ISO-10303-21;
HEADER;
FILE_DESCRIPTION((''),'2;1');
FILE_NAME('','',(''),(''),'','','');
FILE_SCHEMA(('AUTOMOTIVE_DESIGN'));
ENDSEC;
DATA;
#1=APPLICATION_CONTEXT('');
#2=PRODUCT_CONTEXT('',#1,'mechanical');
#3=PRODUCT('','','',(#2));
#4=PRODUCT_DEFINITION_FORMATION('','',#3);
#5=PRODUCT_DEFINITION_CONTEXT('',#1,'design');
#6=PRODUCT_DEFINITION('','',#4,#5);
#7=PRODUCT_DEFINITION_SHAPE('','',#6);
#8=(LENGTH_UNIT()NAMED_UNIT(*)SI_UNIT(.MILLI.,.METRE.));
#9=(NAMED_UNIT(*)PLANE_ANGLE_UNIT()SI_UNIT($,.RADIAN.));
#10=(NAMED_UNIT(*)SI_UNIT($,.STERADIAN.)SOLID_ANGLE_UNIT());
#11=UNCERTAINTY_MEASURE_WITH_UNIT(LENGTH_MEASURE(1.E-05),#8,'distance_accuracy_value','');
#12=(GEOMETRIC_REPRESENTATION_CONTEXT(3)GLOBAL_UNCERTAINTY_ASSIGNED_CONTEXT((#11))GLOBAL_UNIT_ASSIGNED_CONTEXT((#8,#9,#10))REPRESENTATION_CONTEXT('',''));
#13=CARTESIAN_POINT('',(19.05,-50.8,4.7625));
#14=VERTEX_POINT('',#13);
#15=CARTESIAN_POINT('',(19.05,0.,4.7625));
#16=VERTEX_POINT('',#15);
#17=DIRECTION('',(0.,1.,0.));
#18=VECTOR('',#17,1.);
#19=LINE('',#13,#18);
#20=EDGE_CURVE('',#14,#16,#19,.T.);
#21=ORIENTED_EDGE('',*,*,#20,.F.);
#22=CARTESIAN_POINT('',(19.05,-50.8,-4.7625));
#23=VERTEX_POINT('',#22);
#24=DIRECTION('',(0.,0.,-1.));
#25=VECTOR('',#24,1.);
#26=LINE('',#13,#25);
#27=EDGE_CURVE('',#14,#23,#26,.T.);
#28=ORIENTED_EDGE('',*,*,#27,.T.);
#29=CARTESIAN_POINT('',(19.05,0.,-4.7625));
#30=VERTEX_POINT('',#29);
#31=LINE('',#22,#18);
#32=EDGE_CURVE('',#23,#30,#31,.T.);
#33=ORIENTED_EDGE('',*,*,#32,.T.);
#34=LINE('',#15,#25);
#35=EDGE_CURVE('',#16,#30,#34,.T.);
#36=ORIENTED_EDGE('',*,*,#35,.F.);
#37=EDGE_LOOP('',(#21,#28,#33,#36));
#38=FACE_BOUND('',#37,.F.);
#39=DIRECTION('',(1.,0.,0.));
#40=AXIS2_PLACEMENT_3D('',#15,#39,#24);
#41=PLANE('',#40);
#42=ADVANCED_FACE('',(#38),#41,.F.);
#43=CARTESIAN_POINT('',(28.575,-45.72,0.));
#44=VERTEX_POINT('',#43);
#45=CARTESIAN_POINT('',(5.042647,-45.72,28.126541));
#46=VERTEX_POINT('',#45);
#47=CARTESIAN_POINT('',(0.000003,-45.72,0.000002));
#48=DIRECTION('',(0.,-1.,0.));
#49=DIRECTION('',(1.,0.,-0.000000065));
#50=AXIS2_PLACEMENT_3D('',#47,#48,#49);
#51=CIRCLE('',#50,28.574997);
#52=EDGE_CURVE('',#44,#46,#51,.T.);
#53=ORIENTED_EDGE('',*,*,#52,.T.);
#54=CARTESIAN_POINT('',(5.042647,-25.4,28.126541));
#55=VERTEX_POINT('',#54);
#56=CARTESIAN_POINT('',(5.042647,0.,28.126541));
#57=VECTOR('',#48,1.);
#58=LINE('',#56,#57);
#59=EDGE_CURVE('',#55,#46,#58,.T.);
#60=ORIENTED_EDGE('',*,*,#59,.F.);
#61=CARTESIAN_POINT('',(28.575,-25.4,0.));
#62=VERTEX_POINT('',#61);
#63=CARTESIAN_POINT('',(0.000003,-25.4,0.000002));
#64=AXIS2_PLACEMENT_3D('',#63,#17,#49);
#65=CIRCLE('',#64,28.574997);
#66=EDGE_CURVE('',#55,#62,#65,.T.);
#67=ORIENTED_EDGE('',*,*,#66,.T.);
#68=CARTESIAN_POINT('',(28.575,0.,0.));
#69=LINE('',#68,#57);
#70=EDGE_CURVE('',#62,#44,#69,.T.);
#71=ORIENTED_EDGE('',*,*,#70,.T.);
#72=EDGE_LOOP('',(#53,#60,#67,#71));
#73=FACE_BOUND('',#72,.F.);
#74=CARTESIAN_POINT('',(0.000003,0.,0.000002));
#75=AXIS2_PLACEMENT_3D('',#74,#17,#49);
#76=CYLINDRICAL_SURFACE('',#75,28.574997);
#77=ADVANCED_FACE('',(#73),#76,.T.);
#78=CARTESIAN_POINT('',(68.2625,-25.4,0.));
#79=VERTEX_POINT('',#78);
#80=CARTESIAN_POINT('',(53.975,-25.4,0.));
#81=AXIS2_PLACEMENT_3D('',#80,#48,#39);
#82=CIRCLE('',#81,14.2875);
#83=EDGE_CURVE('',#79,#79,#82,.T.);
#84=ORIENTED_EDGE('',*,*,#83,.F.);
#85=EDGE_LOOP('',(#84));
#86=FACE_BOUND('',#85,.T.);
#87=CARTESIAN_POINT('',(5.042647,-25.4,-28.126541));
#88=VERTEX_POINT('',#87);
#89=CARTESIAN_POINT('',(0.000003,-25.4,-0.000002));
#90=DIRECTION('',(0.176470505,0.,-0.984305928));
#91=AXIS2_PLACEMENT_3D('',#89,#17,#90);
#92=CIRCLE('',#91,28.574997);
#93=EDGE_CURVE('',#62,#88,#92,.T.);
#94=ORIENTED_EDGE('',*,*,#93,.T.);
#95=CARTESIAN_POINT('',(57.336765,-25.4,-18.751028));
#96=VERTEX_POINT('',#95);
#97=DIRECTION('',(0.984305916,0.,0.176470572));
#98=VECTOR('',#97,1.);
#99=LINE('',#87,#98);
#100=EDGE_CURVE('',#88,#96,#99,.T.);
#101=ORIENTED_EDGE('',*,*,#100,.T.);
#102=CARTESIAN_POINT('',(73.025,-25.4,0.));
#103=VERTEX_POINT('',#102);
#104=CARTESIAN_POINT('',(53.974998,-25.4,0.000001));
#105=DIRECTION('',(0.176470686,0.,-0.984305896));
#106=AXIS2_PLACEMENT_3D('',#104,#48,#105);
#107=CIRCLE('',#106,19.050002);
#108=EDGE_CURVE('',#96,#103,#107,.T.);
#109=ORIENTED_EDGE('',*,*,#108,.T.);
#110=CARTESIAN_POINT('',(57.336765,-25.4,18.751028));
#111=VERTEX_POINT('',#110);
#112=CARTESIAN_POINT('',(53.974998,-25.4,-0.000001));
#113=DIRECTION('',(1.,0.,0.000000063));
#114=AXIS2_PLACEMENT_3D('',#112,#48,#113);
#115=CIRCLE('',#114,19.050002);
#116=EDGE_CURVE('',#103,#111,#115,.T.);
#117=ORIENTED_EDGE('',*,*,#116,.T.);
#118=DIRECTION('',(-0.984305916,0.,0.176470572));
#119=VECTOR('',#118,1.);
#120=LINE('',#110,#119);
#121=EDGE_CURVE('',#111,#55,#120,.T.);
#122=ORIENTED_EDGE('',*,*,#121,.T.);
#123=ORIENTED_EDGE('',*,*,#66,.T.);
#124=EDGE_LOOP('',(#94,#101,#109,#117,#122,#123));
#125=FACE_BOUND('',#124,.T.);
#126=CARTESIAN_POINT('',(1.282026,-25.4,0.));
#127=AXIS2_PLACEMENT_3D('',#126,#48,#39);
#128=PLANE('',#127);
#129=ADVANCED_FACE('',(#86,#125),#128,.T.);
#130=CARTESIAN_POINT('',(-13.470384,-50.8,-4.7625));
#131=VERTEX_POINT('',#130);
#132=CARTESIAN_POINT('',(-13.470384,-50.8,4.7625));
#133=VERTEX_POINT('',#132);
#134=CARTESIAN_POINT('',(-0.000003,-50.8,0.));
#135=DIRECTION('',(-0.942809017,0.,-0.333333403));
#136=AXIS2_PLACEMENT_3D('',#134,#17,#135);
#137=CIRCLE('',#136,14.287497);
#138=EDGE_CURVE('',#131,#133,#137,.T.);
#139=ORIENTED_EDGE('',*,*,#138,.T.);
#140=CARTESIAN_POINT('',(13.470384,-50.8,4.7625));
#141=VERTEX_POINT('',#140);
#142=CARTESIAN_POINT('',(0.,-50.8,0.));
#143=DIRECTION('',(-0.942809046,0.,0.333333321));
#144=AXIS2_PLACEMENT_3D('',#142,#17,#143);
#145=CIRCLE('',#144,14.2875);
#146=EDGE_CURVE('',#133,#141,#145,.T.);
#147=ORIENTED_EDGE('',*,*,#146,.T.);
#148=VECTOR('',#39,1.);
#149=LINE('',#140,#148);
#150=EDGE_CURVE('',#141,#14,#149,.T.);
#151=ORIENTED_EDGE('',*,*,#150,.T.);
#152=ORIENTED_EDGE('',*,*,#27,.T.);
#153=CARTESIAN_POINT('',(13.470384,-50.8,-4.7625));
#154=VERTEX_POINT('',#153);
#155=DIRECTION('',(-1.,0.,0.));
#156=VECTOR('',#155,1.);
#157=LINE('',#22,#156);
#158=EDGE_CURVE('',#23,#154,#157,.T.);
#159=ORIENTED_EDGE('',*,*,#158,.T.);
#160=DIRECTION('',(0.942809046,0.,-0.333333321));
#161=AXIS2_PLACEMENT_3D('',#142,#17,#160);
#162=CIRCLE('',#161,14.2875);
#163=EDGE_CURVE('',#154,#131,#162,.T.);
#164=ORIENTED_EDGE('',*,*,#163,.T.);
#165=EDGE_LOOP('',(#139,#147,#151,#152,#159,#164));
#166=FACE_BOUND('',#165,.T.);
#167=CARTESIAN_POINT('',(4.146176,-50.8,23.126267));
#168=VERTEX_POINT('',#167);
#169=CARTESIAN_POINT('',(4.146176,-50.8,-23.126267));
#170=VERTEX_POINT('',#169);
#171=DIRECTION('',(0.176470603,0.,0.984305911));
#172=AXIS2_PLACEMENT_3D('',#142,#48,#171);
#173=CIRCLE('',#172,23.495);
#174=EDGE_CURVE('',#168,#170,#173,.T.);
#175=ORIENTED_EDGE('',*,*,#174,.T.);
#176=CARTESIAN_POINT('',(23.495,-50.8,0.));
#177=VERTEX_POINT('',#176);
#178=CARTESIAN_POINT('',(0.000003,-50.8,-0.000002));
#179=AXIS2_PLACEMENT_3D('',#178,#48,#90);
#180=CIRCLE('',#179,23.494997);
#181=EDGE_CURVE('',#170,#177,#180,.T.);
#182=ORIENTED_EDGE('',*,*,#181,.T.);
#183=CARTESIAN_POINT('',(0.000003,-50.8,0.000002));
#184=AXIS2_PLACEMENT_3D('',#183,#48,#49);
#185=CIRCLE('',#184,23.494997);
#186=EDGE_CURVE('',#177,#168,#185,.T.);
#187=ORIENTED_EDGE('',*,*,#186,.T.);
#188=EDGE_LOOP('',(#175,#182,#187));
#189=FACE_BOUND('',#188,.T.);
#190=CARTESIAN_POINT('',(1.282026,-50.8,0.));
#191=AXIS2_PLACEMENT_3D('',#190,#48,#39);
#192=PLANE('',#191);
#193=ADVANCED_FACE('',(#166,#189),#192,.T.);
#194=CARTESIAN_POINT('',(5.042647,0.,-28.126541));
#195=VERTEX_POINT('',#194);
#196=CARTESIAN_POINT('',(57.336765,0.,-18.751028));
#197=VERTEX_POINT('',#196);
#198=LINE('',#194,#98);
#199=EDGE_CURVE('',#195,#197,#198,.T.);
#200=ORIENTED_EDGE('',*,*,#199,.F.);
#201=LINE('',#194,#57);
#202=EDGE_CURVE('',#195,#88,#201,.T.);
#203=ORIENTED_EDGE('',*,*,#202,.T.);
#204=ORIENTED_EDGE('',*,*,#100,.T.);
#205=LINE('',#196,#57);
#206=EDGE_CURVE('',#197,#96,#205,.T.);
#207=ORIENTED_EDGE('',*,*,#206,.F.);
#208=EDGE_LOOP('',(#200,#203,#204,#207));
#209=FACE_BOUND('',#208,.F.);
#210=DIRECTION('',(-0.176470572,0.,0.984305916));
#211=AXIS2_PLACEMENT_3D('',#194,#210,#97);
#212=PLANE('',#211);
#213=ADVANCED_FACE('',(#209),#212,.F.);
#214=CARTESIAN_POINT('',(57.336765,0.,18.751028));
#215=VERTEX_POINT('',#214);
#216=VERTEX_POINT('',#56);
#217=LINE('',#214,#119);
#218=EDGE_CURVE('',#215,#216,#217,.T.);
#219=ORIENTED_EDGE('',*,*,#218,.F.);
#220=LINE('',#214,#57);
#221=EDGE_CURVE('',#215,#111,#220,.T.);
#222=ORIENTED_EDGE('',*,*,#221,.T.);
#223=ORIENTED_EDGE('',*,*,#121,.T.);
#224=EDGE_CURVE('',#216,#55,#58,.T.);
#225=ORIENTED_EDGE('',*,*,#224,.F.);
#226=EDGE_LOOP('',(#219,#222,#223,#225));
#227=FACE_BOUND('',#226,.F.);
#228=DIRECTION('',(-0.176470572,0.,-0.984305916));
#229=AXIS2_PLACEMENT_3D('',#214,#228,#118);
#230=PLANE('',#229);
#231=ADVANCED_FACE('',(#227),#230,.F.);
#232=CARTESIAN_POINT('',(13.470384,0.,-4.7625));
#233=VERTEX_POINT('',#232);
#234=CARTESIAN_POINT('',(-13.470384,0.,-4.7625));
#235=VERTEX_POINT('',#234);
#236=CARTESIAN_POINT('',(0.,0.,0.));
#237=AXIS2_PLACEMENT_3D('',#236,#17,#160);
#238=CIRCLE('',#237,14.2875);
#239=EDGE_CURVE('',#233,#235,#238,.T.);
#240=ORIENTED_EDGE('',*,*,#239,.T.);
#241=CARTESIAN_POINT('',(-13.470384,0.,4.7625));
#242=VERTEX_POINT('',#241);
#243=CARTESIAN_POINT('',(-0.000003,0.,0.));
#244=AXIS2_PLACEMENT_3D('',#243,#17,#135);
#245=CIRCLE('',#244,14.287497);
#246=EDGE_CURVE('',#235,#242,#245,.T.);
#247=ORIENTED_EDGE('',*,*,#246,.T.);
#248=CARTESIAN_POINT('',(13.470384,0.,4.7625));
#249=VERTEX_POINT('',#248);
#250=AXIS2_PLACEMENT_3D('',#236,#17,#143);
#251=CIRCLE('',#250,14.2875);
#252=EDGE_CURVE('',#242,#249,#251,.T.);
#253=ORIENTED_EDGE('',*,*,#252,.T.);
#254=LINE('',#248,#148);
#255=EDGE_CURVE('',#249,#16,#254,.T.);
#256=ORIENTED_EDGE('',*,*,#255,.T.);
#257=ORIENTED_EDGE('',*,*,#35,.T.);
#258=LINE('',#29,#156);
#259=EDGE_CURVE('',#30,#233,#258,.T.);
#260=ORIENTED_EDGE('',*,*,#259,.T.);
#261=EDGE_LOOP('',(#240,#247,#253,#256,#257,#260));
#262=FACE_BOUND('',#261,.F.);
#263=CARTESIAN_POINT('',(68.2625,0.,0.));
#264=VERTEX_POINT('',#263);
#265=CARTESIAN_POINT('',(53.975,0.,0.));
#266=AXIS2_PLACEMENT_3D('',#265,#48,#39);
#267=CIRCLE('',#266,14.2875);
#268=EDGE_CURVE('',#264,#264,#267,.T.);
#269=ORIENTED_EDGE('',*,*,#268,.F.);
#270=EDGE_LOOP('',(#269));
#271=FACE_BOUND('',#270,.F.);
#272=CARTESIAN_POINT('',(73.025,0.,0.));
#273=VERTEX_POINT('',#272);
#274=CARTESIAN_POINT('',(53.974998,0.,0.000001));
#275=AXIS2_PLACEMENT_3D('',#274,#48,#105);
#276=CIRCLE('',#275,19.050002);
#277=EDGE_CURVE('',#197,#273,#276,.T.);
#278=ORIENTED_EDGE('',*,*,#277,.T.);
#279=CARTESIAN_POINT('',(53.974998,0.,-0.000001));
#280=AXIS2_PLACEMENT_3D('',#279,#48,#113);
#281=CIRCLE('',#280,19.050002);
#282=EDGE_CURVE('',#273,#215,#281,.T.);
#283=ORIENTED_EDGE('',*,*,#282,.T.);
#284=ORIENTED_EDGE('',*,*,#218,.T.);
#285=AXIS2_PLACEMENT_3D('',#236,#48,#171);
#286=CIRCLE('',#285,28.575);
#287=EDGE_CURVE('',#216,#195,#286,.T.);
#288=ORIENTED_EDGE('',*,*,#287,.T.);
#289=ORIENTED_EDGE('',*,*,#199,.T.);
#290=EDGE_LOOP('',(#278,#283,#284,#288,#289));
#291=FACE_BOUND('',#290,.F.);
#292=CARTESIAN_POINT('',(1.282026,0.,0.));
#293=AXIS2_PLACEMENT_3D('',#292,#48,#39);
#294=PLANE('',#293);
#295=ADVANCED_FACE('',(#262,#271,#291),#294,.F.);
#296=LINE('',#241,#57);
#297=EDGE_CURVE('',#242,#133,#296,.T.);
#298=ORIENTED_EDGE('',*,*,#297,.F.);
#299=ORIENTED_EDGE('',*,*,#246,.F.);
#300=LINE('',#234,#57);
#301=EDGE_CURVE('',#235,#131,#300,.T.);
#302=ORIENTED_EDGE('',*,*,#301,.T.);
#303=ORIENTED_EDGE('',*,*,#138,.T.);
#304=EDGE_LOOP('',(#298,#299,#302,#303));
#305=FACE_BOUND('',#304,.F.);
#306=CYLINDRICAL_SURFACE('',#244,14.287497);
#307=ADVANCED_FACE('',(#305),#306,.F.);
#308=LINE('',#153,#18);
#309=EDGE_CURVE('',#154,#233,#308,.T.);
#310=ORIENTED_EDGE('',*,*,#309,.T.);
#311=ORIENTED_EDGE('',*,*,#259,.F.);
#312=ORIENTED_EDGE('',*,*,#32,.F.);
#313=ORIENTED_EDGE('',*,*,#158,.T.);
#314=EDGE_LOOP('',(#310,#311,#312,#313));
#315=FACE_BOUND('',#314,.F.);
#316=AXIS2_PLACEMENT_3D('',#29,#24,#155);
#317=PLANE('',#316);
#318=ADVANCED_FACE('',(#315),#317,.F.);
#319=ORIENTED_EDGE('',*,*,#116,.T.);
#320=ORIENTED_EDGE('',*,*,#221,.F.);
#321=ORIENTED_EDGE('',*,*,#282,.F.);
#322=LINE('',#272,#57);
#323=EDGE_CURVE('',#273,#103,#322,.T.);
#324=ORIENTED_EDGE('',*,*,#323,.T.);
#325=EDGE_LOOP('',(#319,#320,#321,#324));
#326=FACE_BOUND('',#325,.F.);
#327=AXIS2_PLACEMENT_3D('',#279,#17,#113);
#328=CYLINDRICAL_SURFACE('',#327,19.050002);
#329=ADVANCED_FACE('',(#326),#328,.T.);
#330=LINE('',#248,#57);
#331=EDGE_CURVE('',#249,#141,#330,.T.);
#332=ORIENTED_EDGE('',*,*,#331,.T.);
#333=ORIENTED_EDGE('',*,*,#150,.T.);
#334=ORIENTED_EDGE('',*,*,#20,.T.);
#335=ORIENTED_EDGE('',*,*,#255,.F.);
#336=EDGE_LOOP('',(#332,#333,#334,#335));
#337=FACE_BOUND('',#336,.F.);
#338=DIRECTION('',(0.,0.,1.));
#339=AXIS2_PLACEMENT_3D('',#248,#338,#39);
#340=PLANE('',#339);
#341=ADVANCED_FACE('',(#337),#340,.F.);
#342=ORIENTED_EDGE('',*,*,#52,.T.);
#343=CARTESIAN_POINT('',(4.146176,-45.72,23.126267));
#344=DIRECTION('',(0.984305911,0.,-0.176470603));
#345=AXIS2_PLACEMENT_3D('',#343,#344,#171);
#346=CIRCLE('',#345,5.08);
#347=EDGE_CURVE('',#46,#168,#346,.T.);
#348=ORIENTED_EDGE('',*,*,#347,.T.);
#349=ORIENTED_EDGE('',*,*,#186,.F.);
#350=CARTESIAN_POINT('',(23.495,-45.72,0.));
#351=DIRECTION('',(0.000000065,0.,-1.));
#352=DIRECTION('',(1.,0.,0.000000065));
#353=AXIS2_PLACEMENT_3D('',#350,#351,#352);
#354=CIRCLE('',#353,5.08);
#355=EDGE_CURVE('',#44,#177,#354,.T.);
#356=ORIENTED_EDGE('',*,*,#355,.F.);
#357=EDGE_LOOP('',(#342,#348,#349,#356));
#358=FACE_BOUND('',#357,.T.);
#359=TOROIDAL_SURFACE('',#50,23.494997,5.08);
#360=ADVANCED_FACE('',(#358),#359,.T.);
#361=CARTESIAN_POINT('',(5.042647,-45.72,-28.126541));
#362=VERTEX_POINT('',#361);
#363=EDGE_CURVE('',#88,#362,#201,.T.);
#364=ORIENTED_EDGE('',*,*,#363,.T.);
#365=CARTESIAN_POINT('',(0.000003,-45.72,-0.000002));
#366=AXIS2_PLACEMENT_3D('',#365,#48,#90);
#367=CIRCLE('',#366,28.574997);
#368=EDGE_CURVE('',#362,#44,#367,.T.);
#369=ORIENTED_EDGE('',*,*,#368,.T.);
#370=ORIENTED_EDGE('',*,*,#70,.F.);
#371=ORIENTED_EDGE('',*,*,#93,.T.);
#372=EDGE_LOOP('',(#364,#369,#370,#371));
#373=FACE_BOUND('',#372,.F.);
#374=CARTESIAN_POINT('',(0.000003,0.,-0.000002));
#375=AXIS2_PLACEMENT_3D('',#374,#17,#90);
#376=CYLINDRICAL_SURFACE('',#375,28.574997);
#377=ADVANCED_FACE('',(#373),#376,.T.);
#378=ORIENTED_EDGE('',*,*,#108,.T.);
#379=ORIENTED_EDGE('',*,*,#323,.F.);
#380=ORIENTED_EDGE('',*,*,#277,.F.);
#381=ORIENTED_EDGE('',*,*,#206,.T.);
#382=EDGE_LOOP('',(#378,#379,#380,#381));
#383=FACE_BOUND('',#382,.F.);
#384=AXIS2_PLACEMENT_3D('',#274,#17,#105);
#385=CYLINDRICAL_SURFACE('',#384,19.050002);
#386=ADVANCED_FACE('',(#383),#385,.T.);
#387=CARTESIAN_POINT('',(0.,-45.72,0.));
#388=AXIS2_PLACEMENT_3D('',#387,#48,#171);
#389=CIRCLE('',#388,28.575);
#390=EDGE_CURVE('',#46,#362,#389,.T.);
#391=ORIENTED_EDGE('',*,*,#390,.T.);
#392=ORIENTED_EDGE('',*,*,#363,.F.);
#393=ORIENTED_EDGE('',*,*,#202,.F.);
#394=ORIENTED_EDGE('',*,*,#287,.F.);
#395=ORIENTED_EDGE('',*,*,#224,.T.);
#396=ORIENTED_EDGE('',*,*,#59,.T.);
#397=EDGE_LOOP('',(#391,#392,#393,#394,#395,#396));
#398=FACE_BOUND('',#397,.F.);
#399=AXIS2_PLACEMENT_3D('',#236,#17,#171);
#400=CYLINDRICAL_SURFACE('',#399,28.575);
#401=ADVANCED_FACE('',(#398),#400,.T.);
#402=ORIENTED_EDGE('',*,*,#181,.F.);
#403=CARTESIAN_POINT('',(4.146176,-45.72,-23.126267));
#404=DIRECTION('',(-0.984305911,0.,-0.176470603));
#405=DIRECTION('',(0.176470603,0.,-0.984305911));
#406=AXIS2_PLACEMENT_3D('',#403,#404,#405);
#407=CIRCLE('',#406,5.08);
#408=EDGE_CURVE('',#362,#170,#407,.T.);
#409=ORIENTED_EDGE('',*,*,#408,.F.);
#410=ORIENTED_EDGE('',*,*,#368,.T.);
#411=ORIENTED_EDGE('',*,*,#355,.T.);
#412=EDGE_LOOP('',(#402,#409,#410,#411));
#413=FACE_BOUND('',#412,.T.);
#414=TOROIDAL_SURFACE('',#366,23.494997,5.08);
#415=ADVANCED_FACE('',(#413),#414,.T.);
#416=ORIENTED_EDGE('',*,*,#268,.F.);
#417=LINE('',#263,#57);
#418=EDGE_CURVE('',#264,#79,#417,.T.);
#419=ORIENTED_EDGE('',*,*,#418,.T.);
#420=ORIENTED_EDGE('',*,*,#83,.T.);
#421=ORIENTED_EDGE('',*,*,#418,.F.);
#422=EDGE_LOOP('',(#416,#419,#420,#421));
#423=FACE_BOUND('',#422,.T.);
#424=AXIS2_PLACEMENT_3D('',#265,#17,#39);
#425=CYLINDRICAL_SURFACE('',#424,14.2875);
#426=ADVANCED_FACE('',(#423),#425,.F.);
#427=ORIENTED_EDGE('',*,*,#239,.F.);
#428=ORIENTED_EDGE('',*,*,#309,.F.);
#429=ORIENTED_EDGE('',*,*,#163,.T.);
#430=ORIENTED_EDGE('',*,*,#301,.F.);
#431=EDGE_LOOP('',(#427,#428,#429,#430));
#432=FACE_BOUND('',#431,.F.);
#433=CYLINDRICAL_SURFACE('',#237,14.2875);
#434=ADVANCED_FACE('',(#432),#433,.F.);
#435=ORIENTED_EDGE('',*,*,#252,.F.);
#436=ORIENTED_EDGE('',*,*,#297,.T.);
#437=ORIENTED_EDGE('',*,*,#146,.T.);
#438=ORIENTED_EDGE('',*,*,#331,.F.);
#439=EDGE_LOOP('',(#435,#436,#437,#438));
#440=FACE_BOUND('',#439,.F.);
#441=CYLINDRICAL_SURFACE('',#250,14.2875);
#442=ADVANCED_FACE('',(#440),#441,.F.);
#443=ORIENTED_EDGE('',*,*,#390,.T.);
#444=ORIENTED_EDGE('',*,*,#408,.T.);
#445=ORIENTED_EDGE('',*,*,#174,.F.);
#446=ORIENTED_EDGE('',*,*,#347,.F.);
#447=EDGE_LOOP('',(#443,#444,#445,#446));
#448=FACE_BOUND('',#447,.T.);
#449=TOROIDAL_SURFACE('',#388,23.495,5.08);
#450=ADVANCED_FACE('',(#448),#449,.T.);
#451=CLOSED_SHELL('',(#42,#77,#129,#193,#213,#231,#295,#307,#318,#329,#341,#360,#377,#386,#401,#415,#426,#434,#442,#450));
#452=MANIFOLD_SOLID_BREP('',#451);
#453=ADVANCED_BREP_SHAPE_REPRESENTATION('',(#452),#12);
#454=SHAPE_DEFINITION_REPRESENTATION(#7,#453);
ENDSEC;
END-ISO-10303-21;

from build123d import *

# Parameters (mm, degrees)
F0_R     = 14.2875
F1_DEPTH = 25.4
F2_DEPTH = 50.8
F3_R     = 5.08


with BuildPart() as f1:
    # F0 (on Front) → F1 (new body)
    with BuildSketch(Plane.XZ):
        with BuildLine():
            ThreePointArc((5.042647, -28.126541), (21.916025, -18.336262), (28.575, 0))
            ThreePointArc((28.575, 0), (21.916025, 18.336262), (5.042647, 28.126541))
            ThreePointArc((5.042647, 28.126541), (-28.575, 0), (5.042647, -28.126541))
        make_face()
        with BuildLine():
            ThreePointArc((-13.470384, 4.7625), (0, 14.2875), (13.470384, 4.7625))
            Line((13.470384, 4.7625), (19.05, 4.7625))
            Line((19.05, 4.7625), (19.05, -4.7625))
            Line((19.05, -4.7625), (13.470384, -4.7625))
            ThreePointArc((13.470384, -4.7625), (0, -14.2875), (-13.470384, -4.7625))
            Line((-13.470384, -4.7625), (-19.05, -4.7625))
            Line((-19.05, -4.7625), (-19.05, 4.7625))
            Line((-19.05, 4.7625), (-13.470384, 4.7625))
        make_face(mode=Mode.SUBTRACT)
        with BuildLine():
            ThreePointArc((-13.470384, -4.7625), (-14.2875, 0), (-13.470384, 4.7625))
            Line((-13.470384, 4.7625), (-19.05, 4.7625))
            Line((-19.05, 4.7625), (-19.05, -4.7625))
            Line((-19.05, -4.7625), (-13.470384, -4.7625))
        make_face()
        with BuildLine():
            ThreePointArc((5.042647, 28.126541), (21.916025, 18.336262), (28.575, 0))
            ThreePointArc((28.575, 0), (21.916025, -18.336262), (5.042647, -28.126541))
            Line((5.042647, -28.126541), (57.336765, -18.751028))
            ThreePointArc((57.336765, -18.751028), (34.925, 0), (57.336765, 18.751028))
            Line((57.336765, 18.751028), (5.042647, 28.126541))
        make_face()
        with BuildLine():
            ThreePointArc((73.025, 0), (68.585683, 12.224174), (57.336765, 18.751028))
            ThreePointArc((57.336765, 18.751028), (34.925, 0), (57.336765, -18.751028))
            ThreePointArc((57.336765, -18.751028), (68.585683, -12.224174), (73.025, 0))
        make_face()
        with Locations((53.975, 0)):
            Circle(F0_R, mode=Mode.SUBTRACT)
    extrude(amount=F1_DEPTH)

    # F0 (on Front) → F2 (join)
    with BuildSketch(Plane.XZ):
        with BuildLine():
            ThreePointArc((5.042647, -28.126541), (21.916025, -18.336262), (28.575, 0))
            ThreePointArc((28.575, 0), (21.916025, 18.336262), (5.042647, 28.126541))
            ThreePointArc((5.042647, 28.126541), (-28.575, 0), (5.042647, -28.126541))
        make_face()
        with BuildLine():
            ThreePointArc((-13.470384, 4.7625), (0, 14.2875), (13.470384, 4.7625))
            Line((13.470384, 4.7625), (19.05, 4.7625))
            Line((19.05, 4.7625), (19.05, -4.7625))
            Line((19.05, -4.7625), (13.470384, -4.7625))
            ThreePointArc((13.470384, -4.7625), (0, -14.2875), (-13.470384, -4.7625))
            Line((-13.470384, -4.7625), (-19.05, -4.7625))
            Line((-19.05, -4.7625), (-19.05, 4.7625))
            Line((-19.05, 4.7625), (-13.470384, 4.7625))
        make_face(mode=Mode.SUBTRACT)
        with BuildLine():
            ThreePointArc((-13.470384, -4.7625), (-14.2875, 0), (-13.470384, 4.7625))
            Line((-13.470384, 4.7625), (-19.05, 4.7625))
            Line((-19.05, 4.7625), (-19.05, -4.7625))
            Line((-19.05, -4.7625), (-13.470384, -4.7625))
        make_face()
    extrude(amount=F2_DEPTH)

    # F3
    f3_edges = [f1.edges().sort_by_distance(p)[0] for p in [
        (-5.042647, -50.8, 28.126541),
    ]]
    fillet(f3_edges, radius=F3_R)


solid = f1.part
